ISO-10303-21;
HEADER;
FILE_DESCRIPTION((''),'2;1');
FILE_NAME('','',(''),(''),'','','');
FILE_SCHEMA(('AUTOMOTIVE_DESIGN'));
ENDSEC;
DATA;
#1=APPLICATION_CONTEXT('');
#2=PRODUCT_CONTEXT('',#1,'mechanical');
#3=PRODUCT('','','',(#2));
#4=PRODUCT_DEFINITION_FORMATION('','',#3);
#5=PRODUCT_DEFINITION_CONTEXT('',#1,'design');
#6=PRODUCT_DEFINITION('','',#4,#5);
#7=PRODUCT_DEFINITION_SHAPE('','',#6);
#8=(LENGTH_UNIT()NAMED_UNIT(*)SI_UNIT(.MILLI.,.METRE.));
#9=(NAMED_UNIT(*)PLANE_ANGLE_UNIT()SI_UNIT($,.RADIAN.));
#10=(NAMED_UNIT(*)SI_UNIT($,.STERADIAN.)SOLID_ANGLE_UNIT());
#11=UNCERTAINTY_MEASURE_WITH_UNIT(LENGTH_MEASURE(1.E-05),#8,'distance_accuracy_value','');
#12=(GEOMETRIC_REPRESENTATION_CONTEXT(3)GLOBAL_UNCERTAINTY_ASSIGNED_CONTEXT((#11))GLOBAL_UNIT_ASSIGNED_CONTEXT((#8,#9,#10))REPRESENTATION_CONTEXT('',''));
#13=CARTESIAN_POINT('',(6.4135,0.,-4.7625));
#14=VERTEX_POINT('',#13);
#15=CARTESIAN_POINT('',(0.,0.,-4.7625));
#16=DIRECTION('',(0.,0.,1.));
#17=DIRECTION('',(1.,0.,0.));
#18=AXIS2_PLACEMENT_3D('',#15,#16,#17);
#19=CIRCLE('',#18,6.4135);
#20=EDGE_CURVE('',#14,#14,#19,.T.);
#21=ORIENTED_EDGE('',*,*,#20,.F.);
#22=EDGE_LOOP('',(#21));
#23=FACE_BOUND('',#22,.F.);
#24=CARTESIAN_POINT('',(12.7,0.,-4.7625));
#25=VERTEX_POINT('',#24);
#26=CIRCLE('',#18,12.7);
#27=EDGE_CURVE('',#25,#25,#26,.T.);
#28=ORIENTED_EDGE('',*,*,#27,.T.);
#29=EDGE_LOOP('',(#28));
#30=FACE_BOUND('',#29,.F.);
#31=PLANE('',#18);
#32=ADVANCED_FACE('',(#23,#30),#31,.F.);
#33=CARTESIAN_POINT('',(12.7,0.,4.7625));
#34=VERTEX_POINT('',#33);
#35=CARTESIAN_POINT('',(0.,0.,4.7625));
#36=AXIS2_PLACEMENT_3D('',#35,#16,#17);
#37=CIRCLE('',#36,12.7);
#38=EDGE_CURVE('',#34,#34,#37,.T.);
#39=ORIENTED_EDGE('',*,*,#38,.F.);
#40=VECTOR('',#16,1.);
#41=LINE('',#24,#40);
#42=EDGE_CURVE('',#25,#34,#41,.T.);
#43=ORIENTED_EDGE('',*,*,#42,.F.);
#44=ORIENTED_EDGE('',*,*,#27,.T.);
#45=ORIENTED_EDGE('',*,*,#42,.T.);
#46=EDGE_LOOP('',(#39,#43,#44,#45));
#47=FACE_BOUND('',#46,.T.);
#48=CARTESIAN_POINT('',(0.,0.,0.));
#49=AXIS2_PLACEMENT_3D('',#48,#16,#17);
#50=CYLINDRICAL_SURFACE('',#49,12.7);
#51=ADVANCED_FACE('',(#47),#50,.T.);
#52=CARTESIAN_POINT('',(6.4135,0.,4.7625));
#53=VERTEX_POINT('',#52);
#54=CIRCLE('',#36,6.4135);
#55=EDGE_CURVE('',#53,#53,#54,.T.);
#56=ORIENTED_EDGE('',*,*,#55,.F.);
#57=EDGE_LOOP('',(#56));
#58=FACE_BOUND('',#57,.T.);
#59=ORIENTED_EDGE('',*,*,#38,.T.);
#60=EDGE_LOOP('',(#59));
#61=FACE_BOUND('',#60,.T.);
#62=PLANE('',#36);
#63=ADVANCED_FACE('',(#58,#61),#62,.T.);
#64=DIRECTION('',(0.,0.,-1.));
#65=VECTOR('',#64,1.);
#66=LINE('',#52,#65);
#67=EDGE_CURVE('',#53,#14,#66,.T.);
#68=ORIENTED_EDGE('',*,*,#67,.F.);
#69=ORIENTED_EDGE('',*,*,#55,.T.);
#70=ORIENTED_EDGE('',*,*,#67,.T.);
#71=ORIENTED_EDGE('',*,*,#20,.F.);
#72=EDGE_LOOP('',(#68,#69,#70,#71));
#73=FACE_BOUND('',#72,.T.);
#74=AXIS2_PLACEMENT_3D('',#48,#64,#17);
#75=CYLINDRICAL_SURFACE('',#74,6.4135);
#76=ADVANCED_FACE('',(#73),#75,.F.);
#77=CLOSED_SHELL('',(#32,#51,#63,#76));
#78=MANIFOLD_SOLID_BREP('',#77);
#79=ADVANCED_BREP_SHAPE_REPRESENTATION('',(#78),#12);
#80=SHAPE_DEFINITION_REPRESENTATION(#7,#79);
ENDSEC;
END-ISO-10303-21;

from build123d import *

# Parameters (mm, degrees)
SKETCH1_R      = 12.7
SKETCH1_R_2    = 6.4135
EXTRUDE1_DEPTH = 4.7625


with BuildPart() as part:
    # Sketch1 → Extrude1 (new body, symmetric)
    with BuildSketch(Plane.XY):
        Circle(SKETCH1_R)
        Circle(SKETCH1_R_2, mode=Mode.SUBTRACT)
    extrude(amount=EXTRUDE1_DEPTH, both=True)


solid = part.part
